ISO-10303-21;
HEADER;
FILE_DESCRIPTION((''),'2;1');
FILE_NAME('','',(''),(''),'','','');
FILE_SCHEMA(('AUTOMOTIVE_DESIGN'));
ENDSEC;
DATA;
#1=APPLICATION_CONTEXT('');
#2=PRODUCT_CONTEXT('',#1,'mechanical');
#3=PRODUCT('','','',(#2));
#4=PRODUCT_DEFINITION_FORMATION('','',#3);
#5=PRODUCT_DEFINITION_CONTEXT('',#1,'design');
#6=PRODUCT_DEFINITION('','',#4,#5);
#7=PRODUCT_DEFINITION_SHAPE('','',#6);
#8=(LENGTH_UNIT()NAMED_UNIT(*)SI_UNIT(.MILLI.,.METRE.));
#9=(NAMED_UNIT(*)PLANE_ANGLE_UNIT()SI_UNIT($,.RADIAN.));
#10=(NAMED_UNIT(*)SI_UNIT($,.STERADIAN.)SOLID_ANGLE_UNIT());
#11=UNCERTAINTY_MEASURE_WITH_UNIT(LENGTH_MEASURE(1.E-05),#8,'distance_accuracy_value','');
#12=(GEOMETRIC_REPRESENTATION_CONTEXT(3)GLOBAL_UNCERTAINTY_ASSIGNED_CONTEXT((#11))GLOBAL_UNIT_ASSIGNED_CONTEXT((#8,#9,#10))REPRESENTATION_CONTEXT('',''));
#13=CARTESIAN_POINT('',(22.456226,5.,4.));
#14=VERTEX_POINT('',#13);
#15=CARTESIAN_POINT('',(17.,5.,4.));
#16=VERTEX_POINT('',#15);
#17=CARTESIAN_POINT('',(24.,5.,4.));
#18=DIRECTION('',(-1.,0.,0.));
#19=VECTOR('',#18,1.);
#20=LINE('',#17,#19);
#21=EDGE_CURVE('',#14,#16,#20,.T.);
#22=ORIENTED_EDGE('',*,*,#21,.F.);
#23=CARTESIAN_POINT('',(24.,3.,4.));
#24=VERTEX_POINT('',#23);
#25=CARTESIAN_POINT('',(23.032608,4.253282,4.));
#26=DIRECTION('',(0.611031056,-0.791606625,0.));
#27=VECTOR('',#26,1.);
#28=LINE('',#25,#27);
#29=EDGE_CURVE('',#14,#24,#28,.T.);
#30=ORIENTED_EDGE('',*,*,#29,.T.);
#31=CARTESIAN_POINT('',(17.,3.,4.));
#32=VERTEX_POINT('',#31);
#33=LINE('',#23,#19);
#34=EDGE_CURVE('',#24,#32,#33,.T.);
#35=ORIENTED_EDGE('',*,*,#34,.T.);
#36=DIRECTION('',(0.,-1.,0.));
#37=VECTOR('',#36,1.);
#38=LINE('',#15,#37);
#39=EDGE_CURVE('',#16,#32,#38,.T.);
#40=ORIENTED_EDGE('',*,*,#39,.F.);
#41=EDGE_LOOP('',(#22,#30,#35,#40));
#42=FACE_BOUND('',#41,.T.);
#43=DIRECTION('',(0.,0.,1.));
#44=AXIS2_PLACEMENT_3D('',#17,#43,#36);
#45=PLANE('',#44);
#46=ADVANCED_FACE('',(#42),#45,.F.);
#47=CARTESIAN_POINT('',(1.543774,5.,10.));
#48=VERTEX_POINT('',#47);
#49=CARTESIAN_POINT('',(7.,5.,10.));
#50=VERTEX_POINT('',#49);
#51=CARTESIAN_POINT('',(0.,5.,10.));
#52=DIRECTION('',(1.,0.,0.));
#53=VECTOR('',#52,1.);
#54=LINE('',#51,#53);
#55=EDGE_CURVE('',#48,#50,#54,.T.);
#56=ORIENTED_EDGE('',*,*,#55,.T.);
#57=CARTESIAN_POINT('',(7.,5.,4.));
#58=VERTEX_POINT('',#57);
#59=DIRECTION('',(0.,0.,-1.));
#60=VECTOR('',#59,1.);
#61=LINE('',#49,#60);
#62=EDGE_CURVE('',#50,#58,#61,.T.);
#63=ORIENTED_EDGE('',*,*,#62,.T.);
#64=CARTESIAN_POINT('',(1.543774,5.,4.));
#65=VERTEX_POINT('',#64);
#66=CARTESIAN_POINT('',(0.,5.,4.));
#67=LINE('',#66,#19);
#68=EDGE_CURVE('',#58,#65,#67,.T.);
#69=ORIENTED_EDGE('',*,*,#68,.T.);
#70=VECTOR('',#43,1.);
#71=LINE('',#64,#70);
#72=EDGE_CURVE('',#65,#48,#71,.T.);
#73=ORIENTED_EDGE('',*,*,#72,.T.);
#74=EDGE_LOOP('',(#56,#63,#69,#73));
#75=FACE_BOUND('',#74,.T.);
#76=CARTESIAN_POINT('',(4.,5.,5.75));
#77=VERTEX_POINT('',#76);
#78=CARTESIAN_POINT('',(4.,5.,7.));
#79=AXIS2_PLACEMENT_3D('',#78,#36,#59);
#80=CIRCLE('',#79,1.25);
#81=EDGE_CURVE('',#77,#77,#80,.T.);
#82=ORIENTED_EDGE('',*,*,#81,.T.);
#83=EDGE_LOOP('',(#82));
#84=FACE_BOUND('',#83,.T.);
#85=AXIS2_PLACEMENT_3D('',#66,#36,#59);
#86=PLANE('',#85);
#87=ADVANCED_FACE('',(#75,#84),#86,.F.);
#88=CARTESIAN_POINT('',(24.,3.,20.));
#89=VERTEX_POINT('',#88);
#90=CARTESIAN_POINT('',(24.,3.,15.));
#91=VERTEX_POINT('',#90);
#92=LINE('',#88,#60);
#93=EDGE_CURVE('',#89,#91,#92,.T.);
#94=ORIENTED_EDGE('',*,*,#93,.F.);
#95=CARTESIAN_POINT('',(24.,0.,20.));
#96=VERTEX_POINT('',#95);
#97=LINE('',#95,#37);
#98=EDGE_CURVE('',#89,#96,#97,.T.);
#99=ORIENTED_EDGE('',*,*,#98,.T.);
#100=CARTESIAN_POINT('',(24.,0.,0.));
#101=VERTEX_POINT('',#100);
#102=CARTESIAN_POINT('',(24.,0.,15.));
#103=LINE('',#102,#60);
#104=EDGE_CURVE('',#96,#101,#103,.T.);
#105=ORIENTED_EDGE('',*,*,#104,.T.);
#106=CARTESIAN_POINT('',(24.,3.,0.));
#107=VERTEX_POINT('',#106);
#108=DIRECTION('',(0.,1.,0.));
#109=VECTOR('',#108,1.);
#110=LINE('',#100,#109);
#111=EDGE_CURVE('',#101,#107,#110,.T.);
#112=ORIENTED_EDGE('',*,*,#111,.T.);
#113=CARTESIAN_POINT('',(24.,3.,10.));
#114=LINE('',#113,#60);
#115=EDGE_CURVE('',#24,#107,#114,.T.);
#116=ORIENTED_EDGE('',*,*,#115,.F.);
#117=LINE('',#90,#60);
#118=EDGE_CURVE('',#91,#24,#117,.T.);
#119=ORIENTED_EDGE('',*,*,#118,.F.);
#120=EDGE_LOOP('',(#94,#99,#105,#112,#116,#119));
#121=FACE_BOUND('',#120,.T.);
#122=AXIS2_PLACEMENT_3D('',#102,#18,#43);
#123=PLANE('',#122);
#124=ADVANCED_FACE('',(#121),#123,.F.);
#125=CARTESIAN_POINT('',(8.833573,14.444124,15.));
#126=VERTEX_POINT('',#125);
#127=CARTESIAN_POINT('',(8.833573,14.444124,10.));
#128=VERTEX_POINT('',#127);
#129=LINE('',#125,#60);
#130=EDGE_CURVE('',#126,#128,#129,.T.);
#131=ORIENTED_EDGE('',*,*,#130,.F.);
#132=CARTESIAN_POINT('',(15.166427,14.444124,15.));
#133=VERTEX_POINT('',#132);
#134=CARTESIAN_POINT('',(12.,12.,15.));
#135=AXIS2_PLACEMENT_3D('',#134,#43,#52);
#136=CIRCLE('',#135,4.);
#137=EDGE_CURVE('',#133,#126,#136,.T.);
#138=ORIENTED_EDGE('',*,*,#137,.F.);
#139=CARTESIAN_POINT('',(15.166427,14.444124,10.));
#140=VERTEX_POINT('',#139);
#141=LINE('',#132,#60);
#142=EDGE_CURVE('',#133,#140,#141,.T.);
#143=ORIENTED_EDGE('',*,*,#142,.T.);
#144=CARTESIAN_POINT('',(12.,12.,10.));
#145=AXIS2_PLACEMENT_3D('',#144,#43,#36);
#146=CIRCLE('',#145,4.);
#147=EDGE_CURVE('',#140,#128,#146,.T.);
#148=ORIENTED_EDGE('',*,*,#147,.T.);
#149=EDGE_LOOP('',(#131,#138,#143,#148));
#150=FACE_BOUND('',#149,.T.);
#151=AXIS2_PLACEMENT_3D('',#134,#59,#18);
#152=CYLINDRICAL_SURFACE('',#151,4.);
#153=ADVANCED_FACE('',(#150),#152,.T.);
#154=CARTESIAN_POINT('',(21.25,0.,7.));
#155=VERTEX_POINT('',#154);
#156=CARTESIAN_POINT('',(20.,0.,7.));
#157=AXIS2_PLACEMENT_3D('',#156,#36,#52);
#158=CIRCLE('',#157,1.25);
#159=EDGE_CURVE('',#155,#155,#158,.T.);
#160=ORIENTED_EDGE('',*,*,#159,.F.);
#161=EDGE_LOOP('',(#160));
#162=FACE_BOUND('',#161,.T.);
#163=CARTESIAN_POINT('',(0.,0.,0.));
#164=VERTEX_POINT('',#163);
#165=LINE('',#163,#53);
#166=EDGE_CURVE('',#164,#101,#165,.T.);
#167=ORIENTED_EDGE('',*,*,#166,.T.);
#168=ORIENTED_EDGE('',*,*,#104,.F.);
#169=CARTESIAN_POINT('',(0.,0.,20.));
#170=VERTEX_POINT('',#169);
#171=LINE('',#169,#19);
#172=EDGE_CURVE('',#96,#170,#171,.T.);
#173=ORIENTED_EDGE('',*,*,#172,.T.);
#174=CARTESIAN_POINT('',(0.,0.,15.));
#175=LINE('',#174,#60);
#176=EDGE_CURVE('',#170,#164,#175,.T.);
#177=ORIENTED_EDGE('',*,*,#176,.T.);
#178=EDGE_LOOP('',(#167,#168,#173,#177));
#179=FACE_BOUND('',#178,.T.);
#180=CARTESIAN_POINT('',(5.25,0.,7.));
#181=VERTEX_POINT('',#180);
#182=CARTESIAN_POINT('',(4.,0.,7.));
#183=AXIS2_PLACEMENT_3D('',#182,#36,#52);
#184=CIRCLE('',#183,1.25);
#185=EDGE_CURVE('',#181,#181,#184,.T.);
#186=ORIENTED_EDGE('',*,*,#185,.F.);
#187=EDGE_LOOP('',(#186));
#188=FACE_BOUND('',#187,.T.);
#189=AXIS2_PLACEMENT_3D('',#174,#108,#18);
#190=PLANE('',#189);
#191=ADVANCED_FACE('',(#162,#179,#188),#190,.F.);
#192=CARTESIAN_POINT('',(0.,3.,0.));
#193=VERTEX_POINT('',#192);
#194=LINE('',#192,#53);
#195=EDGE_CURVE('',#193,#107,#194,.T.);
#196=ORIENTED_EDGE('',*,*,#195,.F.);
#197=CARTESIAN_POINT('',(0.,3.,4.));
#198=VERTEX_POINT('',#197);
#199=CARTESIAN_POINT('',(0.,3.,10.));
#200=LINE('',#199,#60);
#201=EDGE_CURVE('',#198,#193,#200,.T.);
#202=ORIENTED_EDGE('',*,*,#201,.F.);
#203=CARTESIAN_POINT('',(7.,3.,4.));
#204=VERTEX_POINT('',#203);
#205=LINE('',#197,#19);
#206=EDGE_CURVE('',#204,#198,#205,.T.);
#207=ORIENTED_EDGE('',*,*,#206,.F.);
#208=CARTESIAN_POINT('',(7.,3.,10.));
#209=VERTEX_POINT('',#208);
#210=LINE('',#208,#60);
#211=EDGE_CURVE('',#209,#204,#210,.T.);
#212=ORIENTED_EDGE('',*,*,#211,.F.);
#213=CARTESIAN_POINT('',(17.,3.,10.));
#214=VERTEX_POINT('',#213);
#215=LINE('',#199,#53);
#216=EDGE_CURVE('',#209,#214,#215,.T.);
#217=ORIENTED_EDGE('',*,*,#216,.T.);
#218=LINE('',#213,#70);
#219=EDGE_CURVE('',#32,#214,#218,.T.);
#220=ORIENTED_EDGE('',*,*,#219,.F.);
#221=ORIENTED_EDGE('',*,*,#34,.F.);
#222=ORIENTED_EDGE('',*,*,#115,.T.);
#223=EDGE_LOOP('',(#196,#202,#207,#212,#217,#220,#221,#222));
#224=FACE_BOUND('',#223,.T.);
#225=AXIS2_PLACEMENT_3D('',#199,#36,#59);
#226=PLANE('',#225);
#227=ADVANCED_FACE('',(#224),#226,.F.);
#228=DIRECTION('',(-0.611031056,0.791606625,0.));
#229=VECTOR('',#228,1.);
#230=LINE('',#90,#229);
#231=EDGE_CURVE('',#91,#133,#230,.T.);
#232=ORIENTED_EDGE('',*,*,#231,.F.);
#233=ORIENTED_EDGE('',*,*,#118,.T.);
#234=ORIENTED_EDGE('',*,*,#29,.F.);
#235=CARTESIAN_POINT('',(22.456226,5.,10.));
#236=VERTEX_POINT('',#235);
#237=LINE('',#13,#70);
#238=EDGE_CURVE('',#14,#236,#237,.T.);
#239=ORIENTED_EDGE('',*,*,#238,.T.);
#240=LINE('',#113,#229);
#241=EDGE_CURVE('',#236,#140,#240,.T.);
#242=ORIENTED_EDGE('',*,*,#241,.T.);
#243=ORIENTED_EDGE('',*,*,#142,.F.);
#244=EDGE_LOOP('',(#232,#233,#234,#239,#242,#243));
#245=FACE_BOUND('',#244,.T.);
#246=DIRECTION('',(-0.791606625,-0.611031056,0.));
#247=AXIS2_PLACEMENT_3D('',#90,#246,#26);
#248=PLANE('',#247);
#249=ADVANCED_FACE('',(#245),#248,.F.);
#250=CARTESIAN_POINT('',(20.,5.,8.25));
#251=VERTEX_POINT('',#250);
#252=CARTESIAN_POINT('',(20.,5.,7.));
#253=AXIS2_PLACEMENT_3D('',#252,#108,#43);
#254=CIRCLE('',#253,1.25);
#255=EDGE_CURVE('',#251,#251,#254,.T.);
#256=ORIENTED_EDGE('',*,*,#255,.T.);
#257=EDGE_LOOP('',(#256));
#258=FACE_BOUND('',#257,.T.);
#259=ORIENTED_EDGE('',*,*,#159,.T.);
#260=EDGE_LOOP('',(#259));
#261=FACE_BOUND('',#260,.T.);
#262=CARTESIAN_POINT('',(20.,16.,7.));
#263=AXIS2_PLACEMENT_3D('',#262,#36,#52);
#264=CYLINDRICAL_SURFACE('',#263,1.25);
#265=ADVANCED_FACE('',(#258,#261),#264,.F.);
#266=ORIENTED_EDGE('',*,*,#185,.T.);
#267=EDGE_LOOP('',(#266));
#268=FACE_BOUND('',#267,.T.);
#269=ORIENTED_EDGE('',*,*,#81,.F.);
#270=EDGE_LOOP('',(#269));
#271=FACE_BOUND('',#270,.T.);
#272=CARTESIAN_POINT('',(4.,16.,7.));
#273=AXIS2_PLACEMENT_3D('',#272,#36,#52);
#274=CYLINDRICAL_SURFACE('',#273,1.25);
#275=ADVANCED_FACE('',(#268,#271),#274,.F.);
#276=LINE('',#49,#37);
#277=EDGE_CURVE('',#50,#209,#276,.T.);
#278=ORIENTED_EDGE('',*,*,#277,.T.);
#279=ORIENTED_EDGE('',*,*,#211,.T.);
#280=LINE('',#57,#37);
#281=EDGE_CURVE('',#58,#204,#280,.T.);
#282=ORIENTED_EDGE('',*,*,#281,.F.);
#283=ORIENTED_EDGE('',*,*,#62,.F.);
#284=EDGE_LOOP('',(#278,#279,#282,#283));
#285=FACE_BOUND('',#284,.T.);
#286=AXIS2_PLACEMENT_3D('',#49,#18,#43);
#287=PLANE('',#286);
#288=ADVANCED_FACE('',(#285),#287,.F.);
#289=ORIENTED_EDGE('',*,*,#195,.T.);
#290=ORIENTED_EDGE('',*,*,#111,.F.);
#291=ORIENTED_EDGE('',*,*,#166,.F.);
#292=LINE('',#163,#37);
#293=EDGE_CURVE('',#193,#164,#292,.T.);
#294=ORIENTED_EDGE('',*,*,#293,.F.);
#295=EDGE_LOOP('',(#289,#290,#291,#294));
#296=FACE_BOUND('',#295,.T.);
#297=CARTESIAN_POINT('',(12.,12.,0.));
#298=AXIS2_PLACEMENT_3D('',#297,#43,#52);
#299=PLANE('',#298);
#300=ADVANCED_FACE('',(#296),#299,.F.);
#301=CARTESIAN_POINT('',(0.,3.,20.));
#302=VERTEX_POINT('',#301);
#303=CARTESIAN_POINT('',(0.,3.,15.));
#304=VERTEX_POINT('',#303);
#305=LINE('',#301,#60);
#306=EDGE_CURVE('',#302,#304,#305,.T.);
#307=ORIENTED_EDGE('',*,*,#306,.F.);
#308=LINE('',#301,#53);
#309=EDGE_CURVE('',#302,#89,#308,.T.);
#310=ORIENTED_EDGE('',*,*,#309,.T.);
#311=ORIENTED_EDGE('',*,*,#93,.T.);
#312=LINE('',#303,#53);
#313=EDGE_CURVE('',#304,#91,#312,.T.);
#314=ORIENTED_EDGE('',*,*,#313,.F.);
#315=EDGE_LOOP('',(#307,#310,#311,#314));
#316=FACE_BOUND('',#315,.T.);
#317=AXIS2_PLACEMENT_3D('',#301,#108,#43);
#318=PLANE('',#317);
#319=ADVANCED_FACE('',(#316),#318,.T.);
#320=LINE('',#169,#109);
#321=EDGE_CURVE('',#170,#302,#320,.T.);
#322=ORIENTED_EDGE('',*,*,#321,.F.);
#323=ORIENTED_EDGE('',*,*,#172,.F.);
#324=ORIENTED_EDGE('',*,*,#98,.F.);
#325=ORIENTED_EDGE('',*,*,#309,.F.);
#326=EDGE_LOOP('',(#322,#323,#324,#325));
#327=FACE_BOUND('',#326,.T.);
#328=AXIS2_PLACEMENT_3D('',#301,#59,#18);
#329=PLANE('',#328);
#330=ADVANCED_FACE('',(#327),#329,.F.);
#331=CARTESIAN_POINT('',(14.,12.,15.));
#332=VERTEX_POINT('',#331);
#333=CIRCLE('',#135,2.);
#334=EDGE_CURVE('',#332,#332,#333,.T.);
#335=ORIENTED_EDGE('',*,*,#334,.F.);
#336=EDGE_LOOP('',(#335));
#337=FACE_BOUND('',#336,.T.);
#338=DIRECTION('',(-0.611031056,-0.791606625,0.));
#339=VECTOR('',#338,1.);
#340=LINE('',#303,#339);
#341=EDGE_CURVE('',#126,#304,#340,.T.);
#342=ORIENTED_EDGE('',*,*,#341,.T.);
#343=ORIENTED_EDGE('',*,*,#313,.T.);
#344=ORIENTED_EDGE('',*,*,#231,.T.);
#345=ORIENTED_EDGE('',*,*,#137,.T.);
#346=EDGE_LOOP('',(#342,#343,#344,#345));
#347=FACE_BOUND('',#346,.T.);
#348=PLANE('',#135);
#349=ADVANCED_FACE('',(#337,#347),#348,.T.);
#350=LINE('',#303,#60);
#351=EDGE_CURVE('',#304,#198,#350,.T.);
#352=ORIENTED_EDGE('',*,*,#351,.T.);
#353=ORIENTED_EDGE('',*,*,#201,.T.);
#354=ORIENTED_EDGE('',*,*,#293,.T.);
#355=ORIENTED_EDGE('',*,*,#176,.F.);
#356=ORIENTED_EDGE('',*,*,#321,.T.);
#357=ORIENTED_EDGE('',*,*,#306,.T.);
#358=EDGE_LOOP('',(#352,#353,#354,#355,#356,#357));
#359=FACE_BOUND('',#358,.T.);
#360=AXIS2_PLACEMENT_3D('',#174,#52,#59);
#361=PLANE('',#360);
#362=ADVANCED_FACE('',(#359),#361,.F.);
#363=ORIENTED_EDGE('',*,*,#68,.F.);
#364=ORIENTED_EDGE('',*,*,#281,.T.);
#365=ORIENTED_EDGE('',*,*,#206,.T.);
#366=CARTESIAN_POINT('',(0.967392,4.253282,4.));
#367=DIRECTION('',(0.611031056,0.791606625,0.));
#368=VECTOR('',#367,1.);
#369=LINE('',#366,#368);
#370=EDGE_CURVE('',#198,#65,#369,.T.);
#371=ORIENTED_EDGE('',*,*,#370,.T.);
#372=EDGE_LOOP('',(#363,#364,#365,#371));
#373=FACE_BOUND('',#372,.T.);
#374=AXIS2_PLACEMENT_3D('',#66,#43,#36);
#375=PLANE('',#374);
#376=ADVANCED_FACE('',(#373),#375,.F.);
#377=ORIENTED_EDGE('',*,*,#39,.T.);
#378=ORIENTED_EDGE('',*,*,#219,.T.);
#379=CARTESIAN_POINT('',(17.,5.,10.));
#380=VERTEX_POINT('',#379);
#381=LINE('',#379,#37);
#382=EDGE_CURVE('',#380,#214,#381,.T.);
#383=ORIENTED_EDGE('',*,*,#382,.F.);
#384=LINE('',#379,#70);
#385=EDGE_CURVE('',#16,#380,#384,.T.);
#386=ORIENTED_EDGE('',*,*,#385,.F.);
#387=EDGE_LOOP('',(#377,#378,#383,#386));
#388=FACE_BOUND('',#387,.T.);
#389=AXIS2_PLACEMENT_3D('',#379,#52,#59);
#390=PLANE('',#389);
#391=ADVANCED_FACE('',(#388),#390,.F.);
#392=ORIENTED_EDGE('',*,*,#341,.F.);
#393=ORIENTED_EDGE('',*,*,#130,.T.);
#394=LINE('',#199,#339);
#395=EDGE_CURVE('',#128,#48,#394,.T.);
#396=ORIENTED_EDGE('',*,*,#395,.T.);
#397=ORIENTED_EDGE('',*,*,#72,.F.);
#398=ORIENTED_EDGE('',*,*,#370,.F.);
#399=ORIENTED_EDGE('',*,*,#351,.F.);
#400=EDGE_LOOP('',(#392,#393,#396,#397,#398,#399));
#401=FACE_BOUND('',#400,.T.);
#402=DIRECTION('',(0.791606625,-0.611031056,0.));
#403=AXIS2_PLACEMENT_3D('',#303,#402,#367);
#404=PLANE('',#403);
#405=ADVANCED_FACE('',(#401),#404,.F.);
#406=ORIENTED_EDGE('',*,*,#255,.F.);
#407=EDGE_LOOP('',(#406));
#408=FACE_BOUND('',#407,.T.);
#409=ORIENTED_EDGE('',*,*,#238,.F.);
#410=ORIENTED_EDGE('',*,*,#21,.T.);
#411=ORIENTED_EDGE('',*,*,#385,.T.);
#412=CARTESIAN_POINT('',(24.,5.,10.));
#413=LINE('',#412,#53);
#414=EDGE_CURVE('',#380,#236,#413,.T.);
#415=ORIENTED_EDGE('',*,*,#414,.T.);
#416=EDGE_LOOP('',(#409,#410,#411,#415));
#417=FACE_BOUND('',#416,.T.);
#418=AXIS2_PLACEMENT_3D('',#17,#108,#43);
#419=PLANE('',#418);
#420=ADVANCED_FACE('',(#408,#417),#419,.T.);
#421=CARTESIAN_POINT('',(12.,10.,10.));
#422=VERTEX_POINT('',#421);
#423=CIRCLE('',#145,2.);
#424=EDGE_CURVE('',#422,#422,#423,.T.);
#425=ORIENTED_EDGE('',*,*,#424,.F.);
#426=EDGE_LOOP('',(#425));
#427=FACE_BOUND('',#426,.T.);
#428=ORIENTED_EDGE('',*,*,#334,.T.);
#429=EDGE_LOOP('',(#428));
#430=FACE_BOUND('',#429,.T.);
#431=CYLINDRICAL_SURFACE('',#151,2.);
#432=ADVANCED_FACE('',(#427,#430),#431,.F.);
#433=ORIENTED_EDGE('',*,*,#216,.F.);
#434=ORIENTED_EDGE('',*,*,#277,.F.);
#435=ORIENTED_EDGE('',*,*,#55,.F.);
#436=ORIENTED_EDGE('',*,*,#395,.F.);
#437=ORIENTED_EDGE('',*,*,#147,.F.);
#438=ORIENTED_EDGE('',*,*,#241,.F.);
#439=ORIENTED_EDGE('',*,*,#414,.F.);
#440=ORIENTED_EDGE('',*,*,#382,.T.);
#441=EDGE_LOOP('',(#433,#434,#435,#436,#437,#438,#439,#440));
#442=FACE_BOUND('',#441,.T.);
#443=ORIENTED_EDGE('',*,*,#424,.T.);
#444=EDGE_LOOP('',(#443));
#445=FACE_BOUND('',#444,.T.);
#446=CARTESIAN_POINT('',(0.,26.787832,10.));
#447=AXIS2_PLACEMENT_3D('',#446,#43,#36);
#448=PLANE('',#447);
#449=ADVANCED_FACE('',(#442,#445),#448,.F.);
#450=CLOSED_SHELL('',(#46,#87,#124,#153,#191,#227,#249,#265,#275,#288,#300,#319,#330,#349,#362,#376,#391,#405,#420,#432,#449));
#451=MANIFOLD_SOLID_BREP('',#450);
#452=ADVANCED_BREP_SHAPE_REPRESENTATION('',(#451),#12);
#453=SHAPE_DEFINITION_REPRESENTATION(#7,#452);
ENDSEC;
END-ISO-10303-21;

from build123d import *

# Parameters (mm, degrees)
SKETCH1_R           = 2
BOSS_EXTRUDE1_DEPTH = 15
SKETCH2_W           = 10
SKETCH2_H           = 23.787832066
CUT_EXTRUDE1_DEPTH  = 33.511536414
SKETCH5_W           = 7
SKETCH5_H           = 6
BOSS_EXTRUDE3_DEPTH = 2
SKETCH3_R           = 1.25
CUT_EXTRUDE2_DEPTH  = 33.511536414
SKETCH4_W           = 24
SKETCH4_H           = 3
BOSS_EXTRUDE2_DEPTH = 5
CUT_EXTRUDE3_DEPTH  = 31.528675045


with BuildPart() as part:
    # Sketch1 → Boss-Extrude1 (new body)
    with BuildSketch(Plane.XY):
        with BuildLine():
            Line((0, 0), (24, 0))
            Line((24, 0), (24, 3))
            Line((24, 3), (15.166426501, 14.444124223))
            ThreePointArc((15.166426501, 14.444124223), (12, 16), (8.833573499, 14.444124223))
            Line((8.833573499, 14.444124223), (0, 3))
            Line((0, 3), (0, 0))
        make_face()
        with Locations((12, 12)):
            Circle(SKETCH1_R, mode=Mode.SUBTRACT)
    extrude(amount=BOSS_EXTRUDE1_DEPTH)

    # Sketch2 → Cut-Extrude1 (cut, through all)
    with BuildSketch(Plane(origin=(24, 0, 0), x_dir=(0, 0, -1), z_dir=(1, 0, 0))):
        with Locations((-5, 14.893916033)):
            Rectangle(SKETCH2_W, SKETCH2_H)
    extrude(amount=-CUT_EXTRUDE1_DEPTH, mode=Mode.SUBTRACT)

    # Sketch5 → Boss-Extrude3 (add)
    with BuildSketch(Plane(origin=(0, 3, 0), x_dir=(-1, 0, 0), z_dir=(0, 1, 0))):
        with Locations((-20.5, 7)):
            Rectangle(SKETCH5_W, SKETCH5_H)
        with Locations((-3.5, 7)):
            Rectangle(SKETCH5_W, SKETCH5_H)
    extrude(amount=BOSS_EXTRUDE3_DEPTH)

    # Sketch3 → Cut-Extrude2 (cut, through all)
    with BuildSketch(Plane.XZ):
        with Locations((4, 7)):
            Circle(SKETCH3_R)
        with Locations((20, 7)):
            Circle(SKETCH3_R)
    extrude(amount=-CUT_EXTRUDE2_DEPTH, mode=Mode.SUBTRACT)

    # Sketch4 → Boss-Extrude2 (add)
    with BuildSketch(Plane(origin=(0, 14, 15), x_dir=(1, 0, 0), z_dir=(0, 0, -1))):
        with Locations((12, 12.5)):
            Rectangle(SKETCH4_W, SKETCH4_H)
    extrude(amount=-BOSS_EXTRUDE2_DEPTH)

    # Sketch6 → Cut-Extrude3 (cut, through all)
    with BuildSketch(Plane.XY.offset(10)):
        Polygon((0, 5), (0, 3), (1.543774487, 5), align=None)
        Polygon((24, 5), (22.456225513, 5), (24, 3), align=None)
    extrude(amount=-CUT_EXTRUDE3_DEPTH, mode=Mode.SUBTRACT)


solid = part.part
